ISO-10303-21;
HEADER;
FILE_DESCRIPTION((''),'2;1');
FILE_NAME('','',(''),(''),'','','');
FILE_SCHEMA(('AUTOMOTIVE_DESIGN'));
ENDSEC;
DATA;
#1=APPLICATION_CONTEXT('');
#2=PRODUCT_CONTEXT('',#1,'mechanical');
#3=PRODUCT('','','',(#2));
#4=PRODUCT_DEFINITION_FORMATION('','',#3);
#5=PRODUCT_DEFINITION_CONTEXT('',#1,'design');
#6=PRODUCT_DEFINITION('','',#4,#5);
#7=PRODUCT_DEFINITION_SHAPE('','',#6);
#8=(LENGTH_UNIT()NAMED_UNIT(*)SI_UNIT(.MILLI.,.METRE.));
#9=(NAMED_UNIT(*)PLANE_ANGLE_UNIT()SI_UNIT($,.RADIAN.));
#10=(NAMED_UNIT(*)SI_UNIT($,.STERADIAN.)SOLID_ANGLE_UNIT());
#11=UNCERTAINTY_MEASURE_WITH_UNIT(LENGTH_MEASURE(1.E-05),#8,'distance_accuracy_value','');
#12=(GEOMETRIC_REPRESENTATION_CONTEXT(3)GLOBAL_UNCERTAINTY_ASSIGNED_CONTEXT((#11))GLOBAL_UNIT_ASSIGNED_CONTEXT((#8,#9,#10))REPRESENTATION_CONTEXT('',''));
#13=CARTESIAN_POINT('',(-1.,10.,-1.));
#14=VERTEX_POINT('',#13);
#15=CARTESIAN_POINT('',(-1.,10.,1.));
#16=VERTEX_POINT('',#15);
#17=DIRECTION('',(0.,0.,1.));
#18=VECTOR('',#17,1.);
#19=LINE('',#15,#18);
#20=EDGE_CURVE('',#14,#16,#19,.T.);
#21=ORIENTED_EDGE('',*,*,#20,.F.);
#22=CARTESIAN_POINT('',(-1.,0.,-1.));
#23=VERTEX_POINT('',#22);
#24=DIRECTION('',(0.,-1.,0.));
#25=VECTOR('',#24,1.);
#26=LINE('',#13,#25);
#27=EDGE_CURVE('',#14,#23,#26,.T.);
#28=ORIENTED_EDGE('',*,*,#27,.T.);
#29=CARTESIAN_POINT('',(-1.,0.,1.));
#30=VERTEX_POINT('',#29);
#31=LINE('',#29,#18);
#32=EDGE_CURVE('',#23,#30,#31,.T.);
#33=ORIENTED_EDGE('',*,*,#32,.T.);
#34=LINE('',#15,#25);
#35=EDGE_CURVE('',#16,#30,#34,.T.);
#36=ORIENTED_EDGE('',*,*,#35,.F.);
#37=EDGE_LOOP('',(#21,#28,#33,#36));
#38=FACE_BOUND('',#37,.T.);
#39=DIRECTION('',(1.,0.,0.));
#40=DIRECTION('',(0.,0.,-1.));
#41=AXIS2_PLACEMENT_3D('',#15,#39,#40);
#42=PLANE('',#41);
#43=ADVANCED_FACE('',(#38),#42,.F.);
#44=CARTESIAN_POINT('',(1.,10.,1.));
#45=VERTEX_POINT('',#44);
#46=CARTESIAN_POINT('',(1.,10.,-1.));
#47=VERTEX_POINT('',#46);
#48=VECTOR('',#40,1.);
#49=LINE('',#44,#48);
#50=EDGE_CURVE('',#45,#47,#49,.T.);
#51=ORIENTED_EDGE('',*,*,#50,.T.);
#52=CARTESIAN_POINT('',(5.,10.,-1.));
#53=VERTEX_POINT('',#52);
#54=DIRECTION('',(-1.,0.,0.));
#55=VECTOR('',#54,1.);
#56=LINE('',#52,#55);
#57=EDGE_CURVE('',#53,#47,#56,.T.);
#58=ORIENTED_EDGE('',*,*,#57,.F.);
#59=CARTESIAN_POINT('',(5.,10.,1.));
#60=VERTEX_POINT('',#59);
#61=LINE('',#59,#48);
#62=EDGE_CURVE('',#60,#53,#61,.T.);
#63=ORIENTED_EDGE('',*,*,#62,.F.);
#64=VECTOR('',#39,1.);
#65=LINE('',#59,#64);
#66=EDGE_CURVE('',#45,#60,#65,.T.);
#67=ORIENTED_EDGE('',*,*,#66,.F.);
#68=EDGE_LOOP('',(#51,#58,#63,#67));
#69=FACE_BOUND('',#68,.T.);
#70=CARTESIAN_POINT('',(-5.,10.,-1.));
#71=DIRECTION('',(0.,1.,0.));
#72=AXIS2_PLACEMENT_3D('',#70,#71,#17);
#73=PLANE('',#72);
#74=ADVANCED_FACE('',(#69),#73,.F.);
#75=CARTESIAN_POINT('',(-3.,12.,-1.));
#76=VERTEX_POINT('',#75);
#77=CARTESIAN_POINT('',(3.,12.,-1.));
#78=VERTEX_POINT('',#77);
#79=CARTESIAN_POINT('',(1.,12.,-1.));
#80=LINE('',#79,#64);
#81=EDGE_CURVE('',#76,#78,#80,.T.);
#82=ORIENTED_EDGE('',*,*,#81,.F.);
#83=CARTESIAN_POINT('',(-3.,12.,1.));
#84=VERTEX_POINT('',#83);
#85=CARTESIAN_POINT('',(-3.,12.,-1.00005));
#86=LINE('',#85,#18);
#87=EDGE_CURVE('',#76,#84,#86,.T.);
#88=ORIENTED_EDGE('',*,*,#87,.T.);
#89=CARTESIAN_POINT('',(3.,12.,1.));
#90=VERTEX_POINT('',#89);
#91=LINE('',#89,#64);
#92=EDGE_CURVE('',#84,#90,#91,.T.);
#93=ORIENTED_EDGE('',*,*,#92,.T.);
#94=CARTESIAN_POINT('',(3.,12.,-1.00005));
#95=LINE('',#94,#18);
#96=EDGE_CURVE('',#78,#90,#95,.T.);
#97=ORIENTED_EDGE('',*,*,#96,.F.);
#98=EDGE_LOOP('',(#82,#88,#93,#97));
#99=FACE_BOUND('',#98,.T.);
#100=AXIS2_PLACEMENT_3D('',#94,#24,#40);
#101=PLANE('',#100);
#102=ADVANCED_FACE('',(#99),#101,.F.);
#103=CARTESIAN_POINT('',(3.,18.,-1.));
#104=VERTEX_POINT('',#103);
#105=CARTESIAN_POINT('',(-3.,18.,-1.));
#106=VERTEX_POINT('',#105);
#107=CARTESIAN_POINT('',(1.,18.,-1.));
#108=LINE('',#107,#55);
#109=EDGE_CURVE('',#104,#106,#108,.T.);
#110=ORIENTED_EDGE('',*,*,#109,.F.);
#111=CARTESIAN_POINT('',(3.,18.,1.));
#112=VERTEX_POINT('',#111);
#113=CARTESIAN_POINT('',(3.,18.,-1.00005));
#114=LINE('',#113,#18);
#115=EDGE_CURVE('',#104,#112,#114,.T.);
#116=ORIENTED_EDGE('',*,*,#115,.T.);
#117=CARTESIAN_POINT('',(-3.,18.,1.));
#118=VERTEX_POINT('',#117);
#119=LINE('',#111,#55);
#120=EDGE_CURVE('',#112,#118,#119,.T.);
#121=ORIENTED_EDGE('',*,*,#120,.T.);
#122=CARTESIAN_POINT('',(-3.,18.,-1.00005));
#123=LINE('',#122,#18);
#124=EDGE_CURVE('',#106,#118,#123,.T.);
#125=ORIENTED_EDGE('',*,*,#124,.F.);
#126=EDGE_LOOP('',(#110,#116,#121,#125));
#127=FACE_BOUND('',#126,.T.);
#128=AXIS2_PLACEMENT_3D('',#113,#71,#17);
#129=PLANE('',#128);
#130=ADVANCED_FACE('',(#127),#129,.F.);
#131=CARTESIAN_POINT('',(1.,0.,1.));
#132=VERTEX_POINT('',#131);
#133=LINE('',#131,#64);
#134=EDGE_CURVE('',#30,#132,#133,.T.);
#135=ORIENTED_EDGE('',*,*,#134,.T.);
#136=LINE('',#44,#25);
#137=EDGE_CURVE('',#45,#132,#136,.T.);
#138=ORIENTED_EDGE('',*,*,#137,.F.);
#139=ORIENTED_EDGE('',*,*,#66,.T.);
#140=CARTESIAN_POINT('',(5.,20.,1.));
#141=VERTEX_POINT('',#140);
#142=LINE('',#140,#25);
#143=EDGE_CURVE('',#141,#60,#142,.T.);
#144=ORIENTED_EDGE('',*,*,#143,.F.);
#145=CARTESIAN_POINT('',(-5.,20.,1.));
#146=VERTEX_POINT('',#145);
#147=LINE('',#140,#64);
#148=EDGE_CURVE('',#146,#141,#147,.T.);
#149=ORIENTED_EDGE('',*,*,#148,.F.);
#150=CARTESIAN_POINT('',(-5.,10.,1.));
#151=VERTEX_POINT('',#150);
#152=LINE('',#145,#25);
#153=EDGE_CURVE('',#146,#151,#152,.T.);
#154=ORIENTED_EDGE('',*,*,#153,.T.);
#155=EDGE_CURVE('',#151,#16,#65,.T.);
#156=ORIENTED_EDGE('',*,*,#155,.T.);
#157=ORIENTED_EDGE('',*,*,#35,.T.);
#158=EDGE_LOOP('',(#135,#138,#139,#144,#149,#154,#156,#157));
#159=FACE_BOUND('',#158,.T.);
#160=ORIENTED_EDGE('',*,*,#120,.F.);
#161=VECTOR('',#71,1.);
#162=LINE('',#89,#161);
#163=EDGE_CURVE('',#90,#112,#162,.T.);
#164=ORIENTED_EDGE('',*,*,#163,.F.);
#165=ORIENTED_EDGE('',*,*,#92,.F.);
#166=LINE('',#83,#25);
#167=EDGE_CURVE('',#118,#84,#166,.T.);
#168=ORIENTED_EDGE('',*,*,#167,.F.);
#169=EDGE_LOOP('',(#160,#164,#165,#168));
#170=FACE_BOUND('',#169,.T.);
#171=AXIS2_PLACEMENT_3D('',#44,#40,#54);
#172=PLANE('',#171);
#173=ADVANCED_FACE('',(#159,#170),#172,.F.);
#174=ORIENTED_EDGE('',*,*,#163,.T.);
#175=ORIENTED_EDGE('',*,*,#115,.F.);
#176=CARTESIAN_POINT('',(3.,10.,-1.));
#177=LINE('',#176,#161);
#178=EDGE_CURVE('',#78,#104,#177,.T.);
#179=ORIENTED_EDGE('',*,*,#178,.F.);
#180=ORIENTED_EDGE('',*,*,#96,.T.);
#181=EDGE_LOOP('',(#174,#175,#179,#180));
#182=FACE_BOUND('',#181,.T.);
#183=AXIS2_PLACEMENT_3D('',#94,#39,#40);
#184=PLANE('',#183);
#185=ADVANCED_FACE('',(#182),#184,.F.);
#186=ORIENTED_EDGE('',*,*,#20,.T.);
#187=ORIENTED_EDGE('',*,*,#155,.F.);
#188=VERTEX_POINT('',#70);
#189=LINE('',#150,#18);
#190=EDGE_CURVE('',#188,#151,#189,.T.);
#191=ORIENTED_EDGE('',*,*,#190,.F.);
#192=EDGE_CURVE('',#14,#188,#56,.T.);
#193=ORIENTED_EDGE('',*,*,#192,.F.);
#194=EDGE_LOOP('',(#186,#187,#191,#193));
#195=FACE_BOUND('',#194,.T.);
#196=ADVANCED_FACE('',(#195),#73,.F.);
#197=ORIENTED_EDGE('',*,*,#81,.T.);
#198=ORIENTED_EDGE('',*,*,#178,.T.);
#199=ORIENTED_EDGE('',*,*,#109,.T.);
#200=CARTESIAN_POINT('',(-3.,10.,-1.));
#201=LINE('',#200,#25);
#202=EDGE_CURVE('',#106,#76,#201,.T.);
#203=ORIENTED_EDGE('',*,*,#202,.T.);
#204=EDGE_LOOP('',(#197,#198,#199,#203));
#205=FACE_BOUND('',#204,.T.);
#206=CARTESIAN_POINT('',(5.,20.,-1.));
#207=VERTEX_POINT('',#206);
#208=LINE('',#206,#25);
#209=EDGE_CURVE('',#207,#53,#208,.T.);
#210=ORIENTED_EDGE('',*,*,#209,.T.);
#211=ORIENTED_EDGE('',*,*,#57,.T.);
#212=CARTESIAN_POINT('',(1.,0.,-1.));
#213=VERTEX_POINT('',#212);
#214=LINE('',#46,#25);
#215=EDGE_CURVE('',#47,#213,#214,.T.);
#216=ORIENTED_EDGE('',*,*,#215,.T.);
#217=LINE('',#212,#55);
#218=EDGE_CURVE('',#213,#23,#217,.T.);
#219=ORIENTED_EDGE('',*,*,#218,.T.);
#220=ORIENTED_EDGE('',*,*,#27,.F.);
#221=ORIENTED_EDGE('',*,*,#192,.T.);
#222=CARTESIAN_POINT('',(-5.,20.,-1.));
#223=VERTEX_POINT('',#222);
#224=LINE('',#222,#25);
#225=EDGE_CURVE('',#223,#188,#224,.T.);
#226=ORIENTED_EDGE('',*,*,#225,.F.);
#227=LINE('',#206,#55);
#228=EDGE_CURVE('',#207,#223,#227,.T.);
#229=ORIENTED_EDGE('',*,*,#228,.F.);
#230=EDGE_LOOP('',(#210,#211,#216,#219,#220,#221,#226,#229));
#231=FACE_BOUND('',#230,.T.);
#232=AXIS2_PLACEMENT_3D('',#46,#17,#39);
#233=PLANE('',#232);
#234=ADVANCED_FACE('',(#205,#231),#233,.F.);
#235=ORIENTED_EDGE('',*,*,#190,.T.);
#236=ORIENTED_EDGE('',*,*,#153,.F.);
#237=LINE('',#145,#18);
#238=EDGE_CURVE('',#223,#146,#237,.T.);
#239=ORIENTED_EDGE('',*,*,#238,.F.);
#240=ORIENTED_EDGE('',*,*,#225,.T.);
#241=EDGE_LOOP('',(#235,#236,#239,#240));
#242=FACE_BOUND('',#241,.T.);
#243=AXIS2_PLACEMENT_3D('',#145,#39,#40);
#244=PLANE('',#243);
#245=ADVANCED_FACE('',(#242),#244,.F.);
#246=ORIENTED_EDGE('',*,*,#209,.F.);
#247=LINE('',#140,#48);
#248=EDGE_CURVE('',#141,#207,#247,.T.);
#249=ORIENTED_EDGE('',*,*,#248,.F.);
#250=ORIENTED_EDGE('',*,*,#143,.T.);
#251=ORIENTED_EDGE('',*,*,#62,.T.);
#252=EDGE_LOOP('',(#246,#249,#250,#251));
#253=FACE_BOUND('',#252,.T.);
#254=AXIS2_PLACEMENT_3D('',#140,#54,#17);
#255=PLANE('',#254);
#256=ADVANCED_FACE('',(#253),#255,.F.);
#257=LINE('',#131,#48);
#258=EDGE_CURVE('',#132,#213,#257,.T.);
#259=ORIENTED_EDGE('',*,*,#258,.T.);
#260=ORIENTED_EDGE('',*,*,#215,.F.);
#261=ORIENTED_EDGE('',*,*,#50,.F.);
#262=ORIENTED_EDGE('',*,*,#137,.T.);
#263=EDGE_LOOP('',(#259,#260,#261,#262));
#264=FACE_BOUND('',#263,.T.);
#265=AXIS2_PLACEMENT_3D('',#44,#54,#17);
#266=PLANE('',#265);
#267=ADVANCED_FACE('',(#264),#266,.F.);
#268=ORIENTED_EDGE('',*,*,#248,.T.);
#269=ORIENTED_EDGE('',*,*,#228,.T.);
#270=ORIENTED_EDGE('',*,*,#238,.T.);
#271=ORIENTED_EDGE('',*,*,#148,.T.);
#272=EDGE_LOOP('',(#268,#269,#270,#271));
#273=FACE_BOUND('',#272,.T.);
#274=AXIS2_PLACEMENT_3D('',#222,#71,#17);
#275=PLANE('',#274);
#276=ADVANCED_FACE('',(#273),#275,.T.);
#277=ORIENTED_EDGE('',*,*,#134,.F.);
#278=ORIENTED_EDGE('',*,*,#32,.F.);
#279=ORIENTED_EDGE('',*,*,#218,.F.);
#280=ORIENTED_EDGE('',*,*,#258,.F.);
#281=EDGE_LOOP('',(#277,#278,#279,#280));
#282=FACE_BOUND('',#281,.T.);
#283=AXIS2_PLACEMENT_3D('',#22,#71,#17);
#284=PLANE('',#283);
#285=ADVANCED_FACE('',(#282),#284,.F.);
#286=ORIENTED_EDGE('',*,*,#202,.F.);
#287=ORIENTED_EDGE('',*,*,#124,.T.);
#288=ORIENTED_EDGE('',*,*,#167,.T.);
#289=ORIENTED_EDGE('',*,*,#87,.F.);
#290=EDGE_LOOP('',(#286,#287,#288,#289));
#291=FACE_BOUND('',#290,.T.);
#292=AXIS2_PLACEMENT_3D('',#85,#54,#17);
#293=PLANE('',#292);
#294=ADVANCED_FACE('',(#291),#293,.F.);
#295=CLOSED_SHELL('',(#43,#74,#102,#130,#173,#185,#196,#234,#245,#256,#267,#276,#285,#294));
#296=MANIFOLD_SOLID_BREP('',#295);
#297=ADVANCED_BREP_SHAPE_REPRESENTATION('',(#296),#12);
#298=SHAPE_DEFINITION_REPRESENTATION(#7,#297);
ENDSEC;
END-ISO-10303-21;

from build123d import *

# Parameters (mm, degrees)
SKETCH1_W           = 2
SKETCH1_H           = 2
BOSS_EXTRUDE1_DEPTH = 10
SKETCH2_W           = 10
SKETCH2_H           = 2
BOSS_EXTRUDE2_DEPTH = 10
SKETCH3_W           = 6
SKETCH3_H           = 6
CUT_EXTRUDE1_DEPTH  = 21.712315177


with BuildPart() as part:
    # Sketch1 → Boss-Extrude1 (new body)
    with BuildSketch(Plane(origin=(0, 0, 0), x_dir=(1, 0, 0), z_dir=(0, 1, 0))):
        Rectangle(SKETCH1_W, SKETCH1_H)
    extrude(amount=BOSS_EXTRUDE1_DEPTH)

    # Sketch2 → Boss-Extrude2 (add)
    with BuildSketch(Plane(origin=(0, 10, 0), x_dir=(-1, 0, 0), z_dir=(0, 1, 0))):
        Rectangle(SKETCH2_W, SKETCH2_H)
    extrude(amount=BOSS_EXTRUDE2_DEPTH)

    # Sketch3 → Cut-Extrude1 (cut, through all)
    with BuildSketch(Plane.XY.offset(1)):
        with Locations((0, 15)):
            Rectangle(SKETCH3_W, SKETCH3_H)
    extrude(amount=-CUT_EXTRUDE1_DEPTH, mode=Mode.SUBTRACT)


solid = part.part
